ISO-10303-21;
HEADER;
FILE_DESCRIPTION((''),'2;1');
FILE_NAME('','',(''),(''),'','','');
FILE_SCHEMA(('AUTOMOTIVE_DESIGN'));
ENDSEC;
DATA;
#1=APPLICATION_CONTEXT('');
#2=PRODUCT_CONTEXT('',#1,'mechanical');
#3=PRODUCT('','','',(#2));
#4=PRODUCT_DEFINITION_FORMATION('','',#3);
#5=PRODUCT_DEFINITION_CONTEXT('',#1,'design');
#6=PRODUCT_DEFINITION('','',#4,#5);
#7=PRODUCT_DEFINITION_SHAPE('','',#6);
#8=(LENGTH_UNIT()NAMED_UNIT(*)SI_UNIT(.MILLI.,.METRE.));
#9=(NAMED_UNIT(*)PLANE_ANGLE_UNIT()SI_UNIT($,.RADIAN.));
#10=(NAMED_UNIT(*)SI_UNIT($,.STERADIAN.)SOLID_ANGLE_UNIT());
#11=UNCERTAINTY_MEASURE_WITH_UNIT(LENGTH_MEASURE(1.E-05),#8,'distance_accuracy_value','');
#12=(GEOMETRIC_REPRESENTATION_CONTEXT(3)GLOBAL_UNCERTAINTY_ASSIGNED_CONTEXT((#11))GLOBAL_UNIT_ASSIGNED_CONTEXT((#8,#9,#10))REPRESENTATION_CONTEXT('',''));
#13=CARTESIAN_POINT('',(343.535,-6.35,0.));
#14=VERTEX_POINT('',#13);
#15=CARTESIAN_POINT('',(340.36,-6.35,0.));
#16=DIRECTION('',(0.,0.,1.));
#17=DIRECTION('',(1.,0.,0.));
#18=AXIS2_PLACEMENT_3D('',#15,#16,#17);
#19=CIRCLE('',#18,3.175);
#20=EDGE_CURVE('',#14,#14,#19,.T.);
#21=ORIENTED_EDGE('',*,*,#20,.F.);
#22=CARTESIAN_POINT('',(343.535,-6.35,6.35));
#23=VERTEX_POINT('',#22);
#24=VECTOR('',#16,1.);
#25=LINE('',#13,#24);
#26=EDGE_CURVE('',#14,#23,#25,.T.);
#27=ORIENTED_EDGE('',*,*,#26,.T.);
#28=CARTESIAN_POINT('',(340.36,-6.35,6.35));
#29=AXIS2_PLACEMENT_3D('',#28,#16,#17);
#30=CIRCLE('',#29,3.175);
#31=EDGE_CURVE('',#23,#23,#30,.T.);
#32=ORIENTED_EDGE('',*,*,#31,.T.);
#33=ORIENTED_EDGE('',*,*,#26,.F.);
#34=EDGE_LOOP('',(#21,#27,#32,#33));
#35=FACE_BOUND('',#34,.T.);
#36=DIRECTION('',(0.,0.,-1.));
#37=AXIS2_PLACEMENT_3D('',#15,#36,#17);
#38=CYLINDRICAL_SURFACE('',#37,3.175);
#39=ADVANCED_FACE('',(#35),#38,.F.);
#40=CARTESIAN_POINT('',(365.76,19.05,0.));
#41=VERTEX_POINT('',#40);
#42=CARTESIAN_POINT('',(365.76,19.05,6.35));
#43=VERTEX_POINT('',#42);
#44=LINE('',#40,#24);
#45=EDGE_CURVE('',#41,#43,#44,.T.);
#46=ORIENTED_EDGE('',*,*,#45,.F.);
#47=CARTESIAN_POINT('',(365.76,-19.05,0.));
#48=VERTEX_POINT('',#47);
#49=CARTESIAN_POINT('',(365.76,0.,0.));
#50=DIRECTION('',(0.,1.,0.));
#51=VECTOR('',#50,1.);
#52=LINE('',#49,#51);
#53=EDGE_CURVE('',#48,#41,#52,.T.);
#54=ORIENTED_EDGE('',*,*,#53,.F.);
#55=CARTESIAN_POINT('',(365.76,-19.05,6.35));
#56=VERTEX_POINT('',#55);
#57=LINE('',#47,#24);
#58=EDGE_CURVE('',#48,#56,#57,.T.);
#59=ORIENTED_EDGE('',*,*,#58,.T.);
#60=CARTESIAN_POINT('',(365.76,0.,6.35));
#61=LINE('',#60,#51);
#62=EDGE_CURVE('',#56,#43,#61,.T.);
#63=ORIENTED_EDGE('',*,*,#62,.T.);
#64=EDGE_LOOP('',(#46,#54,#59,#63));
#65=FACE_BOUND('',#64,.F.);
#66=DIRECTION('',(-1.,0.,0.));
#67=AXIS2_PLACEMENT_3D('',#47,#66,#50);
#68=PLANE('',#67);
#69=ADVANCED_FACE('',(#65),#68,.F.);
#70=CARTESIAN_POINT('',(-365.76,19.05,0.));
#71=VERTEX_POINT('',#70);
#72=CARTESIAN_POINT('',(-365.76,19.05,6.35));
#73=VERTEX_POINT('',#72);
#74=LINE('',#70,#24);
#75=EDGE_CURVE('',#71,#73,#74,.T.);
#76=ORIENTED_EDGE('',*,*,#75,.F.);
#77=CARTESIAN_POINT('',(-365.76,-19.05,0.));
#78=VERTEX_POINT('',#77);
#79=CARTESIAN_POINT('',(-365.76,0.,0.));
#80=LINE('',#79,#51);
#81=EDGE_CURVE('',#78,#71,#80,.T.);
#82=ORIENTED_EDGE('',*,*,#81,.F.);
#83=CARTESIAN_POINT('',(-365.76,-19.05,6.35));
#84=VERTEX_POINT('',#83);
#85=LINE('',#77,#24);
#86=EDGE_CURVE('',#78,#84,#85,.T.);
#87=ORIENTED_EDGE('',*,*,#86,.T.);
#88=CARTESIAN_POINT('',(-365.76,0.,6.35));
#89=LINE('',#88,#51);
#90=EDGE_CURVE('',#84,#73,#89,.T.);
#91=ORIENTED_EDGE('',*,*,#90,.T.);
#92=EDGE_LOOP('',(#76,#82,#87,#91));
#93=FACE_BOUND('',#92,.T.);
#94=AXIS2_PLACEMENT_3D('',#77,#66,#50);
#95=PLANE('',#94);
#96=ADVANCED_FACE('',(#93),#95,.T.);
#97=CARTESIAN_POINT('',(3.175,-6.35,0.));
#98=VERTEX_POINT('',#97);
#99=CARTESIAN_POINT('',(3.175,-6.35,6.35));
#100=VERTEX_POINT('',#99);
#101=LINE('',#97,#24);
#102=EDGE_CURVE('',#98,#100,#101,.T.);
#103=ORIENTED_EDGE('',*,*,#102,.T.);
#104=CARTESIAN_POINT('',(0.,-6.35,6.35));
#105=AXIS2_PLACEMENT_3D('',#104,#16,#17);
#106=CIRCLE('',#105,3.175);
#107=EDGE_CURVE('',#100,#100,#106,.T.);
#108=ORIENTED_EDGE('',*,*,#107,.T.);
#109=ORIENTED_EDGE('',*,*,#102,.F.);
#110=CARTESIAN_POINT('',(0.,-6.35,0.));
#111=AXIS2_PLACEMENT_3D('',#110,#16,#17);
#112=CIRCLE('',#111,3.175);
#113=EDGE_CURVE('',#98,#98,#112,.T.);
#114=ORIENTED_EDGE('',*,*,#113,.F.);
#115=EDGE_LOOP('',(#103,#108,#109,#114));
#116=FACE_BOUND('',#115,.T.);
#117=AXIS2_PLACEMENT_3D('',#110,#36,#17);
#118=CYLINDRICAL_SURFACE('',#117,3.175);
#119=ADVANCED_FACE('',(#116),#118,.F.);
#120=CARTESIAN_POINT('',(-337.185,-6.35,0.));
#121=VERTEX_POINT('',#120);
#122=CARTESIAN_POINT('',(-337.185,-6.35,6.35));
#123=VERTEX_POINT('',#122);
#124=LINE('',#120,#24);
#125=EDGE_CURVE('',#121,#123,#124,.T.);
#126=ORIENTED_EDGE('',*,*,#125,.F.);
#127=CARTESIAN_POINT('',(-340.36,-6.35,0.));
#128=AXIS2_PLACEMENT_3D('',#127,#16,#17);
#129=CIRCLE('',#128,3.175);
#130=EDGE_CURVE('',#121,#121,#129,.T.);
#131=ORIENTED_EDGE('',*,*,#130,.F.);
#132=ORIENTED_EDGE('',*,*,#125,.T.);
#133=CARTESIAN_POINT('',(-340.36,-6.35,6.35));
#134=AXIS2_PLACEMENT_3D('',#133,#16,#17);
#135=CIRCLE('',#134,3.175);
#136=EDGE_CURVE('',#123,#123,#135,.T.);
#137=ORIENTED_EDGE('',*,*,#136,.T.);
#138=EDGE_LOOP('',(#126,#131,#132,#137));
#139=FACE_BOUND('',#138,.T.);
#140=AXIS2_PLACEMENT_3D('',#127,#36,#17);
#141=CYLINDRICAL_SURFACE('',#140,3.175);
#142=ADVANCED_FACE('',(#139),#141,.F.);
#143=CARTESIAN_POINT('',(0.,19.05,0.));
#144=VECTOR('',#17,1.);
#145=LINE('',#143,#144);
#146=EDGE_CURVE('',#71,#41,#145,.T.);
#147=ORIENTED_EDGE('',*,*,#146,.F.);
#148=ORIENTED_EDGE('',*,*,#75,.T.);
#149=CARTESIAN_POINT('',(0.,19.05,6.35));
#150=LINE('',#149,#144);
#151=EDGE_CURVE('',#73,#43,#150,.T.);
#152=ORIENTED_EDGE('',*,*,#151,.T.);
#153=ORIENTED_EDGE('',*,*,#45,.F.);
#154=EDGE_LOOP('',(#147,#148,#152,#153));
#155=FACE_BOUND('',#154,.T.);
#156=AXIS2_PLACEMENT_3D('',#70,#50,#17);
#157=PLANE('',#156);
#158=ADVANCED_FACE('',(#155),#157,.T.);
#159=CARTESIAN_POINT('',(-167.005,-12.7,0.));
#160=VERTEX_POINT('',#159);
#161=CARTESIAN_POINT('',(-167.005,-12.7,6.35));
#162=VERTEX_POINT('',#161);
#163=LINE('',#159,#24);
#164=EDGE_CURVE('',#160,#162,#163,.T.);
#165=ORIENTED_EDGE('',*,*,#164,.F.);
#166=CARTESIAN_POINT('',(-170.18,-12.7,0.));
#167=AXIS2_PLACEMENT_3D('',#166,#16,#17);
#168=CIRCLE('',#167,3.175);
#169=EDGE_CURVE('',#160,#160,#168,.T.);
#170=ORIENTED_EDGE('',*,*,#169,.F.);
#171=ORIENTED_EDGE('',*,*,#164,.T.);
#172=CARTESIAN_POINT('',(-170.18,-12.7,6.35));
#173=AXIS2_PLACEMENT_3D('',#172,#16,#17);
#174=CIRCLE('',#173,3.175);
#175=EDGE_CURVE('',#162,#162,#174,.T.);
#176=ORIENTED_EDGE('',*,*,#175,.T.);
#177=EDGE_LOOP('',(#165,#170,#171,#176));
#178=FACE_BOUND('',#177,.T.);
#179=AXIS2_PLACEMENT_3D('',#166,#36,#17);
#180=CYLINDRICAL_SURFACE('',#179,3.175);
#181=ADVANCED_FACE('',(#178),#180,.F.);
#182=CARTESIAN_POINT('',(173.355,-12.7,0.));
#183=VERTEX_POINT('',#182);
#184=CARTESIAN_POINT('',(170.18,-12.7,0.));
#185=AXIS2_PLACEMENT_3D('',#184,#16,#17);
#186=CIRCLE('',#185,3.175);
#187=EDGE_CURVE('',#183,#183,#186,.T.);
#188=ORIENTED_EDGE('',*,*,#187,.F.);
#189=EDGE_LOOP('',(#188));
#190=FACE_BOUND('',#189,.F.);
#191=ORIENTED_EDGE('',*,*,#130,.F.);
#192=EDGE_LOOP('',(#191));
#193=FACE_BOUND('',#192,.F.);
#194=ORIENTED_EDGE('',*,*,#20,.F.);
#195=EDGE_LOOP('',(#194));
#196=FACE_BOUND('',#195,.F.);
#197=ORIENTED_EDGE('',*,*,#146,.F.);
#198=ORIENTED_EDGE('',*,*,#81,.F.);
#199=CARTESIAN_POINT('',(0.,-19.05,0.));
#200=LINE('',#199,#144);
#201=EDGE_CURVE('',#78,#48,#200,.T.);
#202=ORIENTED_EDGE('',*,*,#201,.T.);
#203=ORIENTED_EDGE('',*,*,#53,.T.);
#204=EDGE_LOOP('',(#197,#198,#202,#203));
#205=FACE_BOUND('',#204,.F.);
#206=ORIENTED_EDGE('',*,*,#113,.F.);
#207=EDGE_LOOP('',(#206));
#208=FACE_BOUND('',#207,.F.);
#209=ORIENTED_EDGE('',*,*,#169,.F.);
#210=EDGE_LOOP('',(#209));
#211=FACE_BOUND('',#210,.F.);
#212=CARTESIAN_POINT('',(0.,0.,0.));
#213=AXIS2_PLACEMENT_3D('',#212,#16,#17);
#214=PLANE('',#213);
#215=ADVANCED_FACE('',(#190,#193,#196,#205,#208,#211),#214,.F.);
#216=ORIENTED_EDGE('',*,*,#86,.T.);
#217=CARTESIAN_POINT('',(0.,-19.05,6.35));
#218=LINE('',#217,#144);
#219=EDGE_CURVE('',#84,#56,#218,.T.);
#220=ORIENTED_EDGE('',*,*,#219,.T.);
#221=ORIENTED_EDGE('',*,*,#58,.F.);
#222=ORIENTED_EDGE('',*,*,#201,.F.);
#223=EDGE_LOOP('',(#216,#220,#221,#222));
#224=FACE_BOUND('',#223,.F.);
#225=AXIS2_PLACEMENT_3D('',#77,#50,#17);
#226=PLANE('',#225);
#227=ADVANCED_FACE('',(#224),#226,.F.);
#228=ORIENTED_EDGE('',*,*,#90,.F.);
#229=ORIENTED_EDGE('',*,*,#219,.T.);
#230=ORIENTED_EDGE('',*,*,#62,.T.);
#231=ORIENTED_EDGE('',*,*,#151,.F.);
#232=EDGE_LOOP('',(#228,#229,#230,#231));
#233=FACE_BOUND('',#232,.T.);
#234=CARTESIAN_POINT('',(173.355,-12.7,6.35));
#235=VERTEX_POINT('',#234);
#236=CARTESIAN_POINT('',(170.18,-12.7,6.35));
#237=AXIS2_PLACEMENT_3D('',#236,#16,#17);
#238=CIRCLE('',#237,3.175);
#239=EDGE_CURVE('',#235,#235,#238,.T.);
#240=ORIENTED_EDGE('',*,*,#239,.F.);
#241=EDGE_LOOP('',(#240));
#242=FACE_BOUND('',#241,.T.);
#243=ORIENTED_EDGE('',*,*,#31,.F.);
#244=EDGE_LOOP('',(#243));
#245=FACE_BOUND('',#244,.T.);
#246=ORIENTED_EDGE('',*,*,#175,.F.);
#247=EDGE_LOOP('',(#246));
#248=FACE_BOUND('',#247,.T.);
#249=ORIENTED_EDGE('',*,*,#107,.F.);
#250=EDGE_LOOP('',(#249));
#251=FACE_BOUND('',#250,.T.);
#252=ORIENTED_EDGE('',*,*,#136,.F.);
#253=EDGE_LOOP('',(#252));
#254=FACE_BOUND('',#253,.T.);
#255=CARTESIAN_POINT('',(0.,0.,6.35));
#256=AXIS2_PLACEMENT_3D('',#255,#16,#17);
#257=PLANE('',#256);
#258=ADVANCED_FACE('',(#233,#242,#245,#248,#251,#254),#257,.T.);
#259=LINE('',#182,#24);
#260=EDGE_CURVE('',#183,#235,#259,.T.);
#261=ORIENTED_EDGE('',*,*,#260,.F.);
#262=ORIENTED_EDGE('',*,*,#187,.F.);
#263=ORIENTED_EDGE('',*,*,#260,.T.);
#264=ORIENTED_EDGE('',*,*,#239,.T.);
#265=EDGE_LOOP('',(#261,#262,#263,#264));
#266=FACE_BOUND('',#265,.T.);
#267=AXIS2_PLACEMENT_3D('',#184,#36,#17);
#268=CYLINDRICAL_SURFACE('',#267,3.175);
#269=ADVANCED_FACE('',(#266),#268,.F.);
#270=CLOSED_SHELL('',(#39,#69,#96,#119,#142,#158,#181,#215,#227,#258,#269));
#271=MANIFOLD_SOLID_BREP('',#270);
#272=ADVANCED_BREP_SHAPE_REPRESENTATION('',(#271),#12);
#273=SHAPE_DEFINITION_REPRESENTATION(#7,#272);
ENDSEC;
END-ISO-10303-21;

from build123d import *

# Parameters (mm, degrees)
F0_W     = 731.52
F0_H     = 38.1
F0_R     = 3.175
F1_DEPTH = 6.35


with BuildPart() as f1:
    # F0 (on Top) → F1 (new body)
    with BuildSketch(Plane.XY):
        Rectangle(F0_W, F0_H)
        with Locations((-170.18, -12.7)):
            Circle(F0_R, mode=Mode.SUBTRACT)
        with Locations((-340.36, -6.35)):
            Circle(F0_R, mode=Mode.SUBTRACT)
        with Locations((170.18, -12.7)):
            Circle(F0_R, mode=Mode.SUBTRACT)
        with Locations((0, -6.35)):
            Circle(F0_R, mode=Mode.SUBTRACT)
        with Locations((340.36, -6.35)):
            Circle(F0_R, mode=Mode.SUBTRACT)
    extrude(amount=F1_DEPTH)


solid = f1.part
